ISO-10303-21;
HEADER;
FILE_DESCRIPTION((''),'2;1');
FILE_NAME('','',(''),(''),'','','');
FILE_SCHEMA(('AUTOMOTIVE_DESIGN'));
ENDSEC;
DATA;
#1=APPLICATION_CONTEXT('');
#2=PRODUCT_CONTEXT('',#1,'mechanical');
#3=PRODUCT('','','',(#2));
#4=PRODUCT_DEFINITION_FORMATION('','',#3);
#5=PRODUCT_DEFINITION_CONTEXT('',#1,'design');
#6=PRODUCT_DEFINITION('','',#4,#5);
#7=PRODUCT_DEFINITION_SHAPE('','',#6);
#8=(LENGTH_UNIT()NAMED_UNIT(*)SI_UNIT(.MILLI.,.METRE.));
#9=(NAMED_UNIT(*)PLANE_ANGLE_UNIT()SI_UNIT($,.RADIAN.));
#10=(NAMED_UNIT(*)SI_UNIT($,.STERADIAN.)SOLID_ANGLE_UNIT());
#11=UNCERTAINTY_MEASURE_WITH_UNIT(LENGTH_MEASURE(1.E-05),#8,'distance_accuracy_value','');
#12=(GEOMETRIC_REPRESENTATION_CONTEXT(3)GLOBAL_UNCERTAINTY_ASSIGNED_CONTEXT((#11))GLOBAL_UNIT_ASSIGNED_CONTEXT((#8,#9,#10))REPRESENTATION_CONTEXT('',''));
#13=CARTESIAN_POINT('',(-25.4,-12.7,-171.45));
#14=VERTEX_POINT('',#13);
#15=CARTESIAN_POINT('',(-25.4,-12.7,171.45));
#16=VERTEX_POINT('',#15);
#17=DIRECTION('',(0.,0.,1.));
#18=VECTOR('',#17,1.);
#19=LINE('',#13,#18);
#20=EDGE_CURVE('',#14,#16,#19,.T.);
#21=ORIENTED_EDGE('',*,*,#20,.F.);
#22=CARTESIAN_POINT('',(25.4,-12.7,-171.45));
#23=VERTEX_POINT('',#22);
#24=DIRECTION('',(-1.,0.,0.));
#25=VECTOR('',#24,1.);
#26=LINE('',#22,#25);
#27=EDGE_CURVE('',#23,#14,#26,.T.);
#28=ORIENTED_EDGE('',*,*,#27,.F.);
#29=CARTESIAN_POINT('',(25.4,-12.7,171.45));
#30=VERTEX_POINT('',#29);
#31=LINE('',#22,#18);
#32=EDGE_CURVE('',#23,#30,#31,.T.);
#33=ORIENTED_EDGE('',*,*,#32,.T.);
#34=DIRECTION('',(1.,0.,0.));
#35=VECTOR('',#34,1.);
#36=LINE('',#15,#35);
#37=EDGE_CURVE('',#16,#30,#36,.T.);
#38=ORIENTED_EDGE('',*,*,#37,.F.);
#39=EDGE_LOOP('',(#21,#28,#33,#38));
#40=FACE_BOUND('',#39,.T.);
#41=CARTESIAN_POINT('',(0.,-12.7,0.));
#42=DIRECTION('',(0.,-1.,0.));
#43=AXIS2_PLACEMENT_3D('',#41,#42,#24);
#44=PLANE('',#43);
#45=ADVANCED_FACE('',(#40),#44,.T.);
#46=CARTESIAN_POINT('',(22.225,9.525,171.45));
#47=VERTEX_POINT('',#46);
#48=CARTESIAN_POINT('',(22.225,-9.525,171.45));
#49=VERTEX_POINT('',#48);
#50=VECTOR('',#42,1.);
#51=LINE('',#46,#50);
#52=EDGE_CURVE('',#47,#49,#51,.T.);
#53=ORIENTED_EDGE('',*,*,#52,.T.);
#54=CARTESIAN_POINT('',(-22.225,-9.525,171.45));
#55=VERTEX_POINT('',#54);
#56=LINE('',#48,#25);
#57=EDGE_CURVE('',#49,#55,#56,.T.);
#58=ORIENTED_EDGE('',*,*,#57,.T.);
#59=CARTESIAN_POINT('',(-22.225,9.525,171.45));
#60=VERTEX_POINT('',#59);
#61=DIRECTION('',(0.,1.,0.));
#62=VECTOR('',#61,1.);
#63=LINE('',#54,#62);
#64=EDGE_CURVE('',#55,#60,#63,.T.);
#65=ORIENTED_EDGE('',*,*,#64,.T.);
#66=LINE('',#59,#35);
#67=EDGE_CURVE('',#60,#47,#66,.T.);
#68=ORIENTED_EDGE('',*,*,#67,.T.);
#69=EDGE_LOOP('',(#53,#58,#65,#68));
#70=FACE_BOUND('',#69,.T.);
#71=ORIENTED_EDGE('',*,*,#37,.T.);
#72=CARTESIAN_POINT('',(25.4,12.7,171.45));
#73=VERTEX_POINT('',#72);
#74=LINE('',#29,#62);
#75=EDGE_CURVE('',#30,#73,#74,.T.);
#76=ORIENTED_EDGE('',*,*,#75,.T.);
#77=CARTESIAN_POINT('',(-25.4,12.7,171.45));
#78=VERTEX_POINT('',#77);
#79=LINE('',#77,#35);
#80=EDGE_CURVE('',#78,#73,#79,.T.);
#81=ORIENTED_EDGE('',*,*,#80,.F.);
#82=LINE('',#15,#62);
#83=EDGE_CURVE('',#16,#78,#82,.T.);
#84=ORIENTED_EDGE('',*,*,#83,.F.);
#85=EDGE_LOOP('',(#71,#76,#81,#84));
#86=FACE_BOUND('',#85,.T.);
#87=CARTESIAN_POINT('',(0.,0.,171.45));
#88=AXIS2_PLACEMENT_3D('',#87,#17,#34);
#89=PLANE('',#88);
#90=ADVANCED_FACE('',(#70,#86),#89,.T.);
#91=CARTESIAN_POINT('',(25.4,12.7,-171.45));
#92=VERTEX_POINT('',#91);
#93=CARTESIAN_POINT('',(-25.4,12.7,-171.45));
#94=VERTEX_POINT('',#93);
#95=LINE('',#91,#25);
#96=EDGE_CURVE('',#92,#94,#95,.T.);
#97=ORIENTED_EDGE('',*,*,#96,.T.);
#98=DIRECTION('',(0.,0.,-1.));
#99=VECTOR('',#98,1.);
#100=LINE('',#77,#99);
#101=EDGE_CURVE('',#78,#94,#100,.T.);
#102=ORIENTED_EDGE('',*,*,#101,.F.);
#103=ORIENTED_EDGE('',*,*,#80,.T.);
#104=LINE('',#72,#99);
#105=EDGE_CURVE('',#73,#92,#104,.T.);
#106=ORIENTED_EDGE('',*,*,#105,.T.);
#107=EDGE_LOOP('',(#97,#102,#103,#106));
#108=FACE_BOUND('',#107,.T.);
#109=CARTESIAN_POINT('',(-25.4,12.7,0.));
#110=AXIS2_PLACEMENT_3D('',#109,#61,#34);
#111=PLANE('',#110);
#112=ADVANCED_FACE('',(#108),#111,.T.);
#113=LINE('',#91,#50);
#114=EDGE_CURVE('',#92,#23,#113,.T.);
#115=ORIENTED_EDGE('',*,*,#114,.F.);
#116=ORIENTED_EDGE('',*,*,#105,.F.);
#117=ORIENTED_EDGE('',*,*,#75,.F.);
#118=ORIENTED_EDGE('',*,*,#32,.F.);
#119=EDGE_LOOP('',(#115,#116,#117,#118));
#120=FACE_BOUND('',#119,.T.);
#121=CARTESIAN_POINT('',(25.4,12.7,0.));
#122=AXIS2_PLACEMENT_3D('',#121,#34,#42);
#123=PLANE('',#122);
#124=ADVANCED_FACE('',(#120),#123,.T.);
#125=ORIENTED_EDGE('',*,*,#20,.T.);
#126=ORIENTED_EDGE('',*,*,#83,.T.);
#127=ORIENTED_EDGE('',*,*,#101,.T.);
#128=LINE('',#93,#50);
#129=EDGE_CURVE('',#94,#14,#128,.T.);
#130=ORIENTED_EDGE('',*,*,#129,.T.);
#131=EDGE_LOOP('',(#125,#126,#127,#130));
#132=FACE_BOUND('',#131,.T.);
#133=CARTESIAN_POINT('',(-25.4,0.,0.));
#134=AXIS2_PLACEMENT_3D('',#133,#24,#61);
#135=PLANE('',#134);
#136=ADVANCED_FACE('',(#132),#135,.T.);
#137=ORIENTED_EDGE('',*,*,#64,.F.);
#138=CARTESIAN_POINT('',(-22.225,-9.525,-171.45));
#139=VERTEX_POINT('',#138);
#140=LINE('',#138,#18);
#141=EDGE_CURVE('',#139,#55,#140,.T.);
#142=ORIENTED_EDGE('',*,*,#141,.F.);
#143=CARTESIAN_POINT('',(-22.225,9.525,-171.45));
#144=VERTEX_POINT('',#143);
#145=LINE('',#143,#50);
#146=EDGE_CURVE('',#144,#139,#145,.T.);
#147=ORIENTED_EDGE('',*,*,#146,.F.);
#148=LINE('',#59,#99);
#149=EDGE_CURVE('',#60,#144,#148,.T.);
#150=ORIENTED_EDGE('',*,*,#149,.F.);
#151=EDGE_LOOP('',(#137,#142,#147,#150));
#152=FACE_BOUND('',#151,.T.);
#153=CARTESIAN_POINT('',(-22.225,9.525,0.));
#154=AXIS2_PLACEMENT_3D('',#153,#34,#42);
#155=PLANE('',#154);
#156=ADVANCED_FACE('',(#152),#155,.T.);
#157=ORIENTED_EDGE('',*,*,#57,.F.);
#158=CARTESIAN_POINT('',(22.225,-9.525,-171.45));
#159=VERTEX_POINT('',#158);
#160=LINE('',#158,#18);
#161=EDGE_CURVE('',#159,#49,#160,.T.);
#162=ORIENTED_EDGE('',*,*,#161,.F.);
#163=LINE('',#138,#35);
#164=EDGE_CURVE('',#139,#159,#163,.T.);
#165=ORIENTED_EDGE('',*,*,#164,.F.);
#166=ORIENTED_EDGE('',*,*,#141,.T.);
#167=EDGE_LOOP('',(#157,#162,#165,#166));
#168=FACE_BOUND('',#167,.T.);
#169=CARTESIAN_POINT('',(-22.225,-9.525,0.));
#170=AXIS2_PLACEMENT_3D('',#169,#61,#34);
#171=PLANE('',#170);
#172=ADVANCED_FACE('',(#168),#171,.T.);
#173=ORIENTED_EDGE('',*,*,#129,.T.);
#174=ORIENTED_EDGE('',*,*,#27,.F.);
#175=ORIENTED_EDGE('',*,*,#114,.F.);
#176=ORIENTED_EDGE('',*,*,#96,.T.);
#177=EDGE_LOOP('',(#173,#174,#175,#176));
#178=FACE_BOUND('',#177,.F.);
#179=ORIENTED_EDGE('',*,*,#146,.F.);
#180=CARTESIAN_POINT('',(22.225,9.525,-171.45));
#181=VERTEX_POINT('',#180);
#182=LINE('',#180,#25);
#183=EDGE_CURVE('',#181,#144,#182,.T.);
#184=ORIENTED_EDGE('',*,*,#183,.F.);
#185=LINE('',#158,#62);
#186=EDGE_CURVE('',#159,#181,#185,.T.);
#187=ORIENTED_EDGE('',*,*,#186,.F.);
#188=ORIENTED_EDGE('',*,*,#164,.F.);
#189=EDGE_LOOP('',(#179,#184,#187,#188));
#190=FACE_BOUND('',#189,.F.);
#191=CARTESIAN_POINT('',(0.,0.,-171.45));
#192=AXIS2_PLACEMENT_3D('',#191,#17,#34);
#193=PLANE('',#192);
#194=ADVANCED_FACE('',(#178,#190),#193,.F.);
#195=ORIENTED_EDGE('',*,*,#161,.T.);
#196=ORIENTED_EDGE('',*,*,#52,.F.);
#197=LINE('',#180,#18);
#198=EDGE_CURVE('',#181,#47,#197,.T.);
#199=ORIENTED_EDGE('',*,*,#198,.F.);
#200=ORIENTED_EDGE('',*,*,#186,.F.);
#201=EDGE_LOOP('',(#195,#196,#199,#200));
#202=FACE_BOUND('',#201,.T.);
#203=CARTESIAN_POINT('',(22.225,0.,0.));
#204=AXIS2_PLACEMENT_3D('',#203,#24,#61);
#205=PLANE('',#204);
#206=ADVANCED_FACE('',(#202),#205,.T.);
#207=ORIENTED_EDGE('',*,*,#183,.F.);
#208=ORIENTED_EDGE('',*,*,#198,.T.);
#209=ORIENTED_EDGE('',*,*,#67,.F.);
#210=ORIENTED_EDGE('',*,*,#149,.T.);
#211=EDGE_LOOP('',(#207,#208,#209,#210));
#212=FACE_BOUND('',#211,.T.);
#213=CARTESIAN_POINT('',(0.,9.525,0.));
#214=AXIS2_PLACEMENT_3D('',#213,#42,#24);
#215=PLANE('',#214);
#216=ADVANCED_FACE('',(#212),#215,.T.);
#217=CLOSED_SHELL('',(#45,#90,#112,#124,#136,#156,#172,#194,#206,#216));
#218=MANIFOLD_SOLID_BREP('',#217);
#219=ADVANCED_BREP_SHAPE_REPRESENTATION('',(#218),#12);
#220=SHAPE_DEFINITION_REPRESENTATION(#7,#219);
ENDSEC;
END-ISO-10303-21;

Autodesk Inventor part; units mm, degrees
ref_plane "YZ Plane" through (0, 0, 0) normal (1, 0, 0) x (0, 1, 0)
ref_plane "XZ Plane" through (0, 0, 0) normal (0, 1, 0) x (-1, 0, 0)
ref_plane "XY Plane" through (0, 0, 0) normal (0, 0, 1) x (1, 0, 0)
sketch "Sketch1" plane through (0, 0, 0) normal (0, 0, 1) x (1, 0, 0)
  line L0 (-35.56, 0) -> (35.56, 0) projected
  line L1 (0, -17.78) -> (0, 17.78) projected
  line L2 (-25.4, 12.7) -> (25.4, 12.7)
  line L3 (25.4, 12.7) -> (25.4, -12.7)
  line L4 (25.4, -12.7) -> (-25.4, -12.7)
  line L5 (-25.4, -12.7) -> (-25.4, 12.7)
  line L6 (22.225, 9.525) -> (-22.225, 9.525)
  line L7 (-22.225, 9.525) -> (-22.225, -9.525)
  line L8 (-22.225, -9.525) -> (22.225, -9.525)
  line L9 (22.225, -9.525) -> (22.225, 9.525)
  point P0 (0, 0)
  point P1 (-25.4, 0)
  point P2 (0, 12.7)
  dimension "d0" = 25.4
  dimension "d1" = 3.175
  dimension "d7" = 50.8
extrude "Extrusion1" add sketch "Sketch1" along normal mid plane 342.9 contours L5 L2 L1 L6 L7 L0 | L0 L7 L8 L1 L4 L5 | L1 L8 L9 L0 L3 L4 | L2 L3 L0 L9 L6 L1
properties part number "tubing_template_0.125" material "Aluminum-6061"
